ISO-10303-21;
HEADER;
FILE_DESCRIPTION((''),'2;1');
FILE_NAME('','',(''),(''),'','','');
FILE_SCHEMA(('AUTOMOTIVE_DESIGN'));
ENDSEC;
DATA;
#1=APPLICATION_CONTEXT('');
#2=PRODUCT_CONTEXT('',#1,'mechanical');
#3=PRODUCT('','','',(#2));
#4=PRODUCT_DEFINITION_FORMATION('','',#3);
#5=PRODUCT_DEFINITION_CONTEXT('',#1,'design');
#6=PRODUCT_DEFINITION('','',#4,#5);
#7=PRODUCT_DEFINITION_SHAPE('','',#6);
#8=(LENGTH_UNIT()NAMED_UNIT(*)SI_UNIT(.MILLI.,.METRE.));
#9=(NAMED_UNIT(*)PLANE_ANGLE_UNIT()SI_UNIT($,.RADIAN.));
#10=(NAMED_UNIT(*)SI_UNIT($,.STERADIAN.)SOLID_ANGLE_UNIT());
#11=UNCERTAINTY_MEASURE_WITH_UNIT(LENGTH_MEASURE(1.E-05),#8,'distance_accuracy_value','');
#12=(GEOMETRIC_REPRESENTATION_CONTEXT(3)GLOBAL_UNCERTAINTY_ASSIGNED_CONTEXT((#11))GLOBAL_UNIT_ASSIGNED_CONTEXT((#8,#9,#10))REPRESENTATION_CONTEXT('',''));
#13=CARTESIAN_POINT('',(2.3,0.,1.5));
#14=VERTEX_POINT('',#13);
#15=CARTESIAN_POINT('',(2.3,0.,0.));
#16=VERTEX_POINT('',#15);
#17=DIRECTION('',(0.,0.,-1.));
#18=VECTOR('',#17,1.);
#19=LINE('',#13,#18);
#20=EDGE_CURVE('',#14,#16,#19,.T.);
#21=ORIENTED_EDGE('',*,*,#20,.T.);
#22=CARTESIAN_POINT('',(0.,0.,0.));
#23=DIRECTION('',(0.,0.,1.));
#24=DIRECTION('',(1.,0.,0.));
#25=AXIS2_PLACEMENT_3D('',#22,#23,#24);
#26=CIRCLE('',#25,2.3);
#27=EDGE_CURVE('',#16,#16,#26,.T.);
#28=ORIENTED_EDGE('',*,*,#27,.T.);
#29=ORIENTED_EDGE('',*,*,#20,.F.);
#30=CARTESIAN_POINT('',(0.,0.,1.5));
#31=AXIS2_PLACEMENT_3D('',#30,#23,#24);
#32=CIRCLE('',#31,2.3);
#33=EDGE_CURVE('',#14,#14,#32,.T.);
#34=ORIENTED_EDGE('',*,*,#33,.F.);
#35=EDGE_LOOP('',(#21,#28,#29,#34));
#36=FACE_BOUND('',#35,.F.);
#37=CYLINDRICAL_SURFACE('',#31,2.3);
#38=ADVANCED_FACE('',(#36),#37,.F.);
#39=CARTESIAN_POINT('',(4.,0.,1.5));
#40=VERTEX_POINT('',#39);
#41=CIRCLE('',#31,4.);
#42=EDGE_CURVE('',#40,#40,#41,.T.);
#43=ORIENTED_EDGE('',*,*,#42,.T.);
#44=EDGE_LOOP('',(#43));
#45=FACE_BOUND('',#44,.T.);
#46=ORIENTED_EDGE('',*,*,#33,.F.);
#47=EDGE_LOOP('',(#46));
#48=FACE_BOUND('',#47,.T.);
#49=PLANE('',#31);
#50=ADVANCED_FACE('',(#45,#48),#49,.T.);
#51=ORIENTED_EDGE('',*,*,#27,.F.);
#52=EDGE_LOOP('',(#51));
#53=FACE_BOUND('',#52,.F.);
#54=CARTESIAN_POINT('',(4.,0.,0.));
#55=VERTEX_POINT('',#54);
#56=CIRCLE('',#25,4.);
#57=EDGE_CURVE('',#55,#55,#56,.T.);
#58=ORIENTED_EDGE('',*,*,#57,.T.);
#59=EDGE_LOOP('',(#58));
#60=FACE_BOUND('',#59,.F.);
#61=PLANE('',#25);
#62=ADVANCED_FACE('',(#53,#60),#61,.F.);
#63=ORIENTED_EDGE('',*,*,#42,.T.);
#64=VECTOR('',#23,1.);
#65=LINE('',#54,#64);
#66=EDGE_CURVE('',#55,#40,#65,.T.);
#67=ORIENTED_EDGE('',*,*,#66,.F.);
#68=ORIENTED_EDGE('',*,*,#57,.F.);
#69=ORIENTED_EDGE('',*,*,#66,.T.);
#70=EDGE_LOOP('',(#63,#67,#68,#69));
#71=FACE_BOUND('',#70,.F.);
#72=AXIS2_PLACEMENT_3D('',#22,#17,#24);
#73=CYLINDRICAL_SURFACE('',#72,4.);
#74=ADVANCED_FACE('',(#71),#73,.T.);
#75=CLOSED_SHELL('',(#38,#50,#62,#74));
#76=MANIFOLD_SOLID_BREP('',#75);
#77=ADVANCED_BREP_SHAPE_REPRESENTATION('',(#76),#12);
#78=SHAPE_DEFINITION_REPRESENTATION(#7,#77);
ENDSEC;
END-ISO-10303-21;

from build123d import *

# Parameters (mm, degrees)
SKETCH_R     = 4
PAD_DEPTH    = 1.5
SKETCH001_R  = 2.3
POCKET_DEPTH = 1.501


with BuildPart() as part:
    # Sketch → Pad (new body)
    with BuildSketch(Plane.XY):
        Circle(SKETCH_R)
    extrude(amount=PAD_DEPTH)

    # Sketch001 (on Face3 of Pad) → Pocket (cut, through all)
    with BuildSketch(Plane.XY.offset(1.5)):
        Circle(SKETCH001_R)
    extrude(amount=-POCKET_DEPTH, mode=Mode.SUBTRACT)


solid = part.part
